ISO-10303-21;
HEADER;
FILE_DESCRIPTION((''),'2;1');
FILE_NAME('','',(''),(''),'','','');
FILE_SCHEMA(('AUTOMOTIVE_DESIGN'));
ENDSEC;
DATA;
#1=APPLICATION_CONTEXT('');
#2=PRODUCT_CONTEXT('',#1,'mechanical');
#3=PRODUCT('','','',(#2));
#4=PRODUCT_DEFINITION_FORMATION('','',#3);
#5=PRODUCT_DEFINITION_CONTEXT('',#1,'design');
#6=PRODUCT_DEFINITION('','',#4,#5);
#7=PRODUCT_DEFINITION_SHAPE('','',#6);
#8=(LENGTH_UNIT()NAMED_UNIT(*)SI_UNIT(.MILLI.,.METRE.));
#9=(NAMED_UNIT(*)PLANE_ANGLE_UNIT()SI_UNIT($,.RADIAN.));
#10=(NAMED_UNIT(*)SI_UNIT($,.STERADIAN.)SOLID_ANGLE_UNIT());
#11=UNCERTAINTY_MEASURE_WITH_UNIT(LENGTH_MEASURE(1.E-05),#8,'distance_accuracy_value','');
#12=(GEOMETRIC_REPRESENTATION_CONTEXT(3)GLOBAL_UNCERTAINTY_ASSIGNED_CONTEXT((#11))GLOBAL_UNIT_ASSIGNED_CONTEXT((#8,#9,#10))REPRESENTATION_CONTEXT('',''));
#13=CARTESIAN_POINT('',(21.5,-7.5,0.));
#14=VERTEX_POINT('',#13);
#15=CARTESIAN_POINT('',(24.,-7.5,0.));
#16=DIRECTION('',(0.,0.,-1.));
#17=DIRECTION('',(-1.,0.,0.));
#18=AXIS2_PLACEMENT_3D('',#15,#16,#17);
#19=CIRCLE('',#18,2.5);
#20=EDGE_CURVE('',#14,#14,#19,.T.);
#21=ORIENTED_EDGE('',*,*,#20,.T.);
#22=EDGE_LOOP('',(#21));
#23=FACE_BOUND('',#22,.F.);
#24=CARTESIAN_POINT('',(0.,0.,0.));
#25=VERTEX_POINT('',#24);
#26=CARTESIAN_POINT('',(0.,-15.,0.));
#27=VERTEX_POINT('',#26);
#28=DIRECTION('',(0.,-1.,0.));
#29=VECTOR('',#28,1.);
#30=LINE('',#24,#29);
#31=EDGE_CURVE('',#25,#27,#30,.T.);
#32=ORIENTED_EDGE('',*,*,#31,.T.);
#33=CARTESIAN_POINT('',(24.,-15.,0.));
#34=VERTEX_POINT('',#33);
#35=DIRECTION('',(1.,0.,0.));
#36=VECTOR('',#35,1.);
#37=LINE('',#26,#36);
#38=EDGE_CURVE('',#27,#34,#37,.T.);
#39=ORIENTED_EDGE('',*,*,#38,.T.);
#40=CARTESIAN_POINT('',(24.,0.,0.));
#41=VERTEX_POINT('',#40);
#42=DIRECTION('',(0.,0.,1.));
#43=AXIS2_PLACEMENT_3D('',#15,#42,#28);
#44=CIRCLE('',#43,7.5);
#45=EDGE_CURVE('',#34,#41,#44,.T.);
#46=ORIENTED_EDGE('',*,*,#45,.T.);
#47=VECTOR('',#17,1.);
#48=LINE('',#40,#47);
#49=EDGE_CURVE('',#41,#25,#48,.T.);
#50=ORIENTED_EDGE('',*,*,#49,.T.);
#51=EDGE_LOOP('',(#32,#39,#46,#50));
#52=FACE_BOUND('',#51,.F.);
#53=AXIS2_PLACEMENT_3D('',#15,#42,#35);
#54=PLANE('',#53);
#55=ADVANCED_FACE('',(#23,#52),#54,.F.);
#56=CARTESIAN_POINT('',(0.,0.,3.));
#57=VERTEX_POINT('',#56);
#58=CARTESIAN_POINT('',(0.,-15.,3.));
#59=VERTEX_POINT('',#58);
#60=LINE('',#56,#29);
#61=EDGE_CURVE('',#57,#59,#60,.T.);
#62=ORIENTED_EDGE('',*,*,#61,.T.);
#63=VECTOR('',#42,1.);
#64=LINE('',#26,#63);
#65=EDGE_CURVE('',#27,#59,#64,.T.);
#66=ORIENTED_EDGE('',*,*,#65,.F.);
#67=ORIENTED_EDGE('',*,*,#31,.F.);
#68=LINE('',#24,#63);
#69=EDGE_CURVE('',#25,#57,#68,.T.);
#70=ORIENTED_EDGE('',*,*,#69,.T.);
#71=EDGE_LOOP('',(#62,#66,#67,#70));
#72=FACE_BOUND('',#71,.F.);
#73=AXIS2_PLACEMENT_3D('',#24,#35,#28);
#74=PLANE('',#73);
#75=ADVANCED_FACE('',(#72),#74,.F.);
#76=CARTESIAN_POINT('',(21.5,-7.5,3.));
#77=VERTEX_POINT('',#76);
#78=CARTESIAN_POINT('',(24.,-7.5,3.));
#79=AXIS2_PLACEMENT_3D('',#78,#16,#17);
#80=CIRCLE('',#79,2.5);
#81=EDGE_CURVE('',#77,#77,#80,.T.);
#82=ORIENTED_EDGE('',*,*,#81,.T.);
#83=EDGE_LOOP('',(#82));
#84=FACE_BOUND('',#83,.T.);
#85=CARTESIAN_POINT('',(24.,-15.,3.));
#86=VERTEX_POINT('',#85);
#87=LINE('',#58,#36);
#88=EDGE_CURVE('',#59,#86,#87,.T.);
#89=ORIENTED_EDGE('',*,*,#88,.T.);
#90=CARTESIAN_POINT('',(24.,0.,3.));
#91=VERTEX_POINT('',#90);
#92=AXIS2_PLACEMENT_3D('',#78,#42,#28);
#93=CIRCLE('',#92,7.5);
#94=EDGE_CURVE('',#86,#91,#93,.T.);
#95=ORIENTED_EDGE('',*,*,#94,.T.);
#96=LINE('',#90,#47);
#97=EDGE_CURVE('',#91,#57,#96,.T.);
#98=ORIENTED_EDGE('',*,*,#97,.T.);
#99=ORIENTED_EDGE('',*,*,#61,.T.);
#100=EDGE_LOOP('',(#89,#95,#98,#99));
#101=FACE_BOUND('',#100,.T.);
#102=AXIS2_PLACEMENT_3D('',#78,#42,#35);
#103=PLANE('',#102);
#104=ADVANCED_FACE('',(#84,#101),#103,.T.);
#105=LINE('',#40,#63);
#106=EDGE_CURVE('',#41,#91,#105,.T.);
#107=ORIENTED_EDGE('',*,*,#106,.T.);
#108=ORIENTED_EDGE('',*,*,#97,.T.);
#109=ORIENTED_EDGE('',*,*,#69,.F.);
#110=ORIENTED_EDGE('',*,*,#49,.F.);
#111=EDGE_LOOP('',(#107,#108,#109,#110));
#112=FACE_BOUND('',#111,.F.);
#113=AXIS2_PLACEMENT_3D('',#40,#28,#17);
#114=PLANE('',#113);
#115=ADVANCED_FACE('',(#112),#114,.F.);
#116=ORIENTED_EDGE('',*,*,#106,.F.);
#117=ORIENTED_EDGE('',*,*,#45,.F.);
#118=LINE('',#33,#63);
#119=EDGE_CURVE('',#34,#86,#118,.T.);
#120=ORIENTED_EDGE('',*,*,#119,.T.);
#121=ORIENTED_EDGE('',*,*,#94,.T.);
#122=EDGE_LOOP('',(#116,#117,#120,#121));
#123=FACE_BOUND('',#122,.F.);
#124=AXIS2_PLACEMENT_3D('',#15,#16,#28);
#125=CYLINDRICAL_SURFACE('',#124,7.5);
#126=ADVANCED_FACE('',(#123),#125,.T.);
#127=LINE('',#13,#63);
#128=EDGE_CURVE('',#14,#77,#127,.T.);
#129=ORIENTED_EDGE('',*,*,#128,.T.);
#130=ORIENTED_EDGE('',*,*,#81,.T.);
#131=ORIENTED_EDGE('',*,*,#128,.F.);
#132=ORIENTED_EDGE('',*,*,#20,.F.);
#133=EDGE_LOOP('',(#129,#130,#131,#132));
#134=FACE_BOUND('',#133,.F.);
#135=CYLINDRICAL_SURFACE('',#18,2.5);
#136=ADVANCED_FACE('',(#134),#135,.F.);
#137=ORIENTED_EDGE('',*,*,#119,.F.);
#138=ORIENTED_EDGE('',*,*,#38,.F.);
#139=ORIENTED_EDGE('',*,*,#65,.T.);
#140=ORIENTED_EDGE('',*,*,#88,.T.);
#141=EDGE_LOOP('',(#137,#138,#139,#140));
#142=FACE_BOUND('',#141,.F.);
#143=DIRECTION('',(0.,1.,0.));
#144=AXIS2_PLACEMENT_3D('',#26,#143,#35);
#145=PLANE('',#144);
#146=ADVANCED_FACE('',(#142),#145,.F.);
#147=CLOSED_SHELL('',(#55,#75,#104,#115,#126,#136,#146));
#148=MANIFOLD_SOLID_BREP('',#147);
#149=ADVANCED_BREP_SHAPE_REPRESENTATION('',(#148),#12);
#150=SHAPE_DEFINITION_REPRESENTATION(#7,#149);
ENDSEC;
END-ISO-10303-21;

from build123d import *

# Parameters (mm, degrees)
F1_DEPTH = 3


with BuildPart() as f1:
    # F0 (on Top) → F1 (new body)
    with BuildSketch(Plane.XY):
        with BuildLine():
            ThreePointArc((26.5, -7.5), (24, -5), (21.5, -7.5))
            ThreePointArc((21.5, -7.5), (24, -10), (26.5, -7.5))
        make_face()
        with BuildLine():
            Line((24, 0), (0, 0))
            Line((0, 0), (0, -7.5))
            Line((0, -7.5), (0, -15))
            Line((0, -15), (24, -15))
            ThreePointArc((24, -15), (31.5, -7.5), (24, 0))
        make_face()
        with BuildLine():
            ThreePointArc((26.5, -7.5), (24, -10), (21.5, -7.5))
            ThreePointArc((21.5, -7.5), (24, -5), (26.5, -7.5))
        make_face(mode=Mode.SUBTRACT)
    extrude(amount=F1_DEPTH)


solid = f1.part
